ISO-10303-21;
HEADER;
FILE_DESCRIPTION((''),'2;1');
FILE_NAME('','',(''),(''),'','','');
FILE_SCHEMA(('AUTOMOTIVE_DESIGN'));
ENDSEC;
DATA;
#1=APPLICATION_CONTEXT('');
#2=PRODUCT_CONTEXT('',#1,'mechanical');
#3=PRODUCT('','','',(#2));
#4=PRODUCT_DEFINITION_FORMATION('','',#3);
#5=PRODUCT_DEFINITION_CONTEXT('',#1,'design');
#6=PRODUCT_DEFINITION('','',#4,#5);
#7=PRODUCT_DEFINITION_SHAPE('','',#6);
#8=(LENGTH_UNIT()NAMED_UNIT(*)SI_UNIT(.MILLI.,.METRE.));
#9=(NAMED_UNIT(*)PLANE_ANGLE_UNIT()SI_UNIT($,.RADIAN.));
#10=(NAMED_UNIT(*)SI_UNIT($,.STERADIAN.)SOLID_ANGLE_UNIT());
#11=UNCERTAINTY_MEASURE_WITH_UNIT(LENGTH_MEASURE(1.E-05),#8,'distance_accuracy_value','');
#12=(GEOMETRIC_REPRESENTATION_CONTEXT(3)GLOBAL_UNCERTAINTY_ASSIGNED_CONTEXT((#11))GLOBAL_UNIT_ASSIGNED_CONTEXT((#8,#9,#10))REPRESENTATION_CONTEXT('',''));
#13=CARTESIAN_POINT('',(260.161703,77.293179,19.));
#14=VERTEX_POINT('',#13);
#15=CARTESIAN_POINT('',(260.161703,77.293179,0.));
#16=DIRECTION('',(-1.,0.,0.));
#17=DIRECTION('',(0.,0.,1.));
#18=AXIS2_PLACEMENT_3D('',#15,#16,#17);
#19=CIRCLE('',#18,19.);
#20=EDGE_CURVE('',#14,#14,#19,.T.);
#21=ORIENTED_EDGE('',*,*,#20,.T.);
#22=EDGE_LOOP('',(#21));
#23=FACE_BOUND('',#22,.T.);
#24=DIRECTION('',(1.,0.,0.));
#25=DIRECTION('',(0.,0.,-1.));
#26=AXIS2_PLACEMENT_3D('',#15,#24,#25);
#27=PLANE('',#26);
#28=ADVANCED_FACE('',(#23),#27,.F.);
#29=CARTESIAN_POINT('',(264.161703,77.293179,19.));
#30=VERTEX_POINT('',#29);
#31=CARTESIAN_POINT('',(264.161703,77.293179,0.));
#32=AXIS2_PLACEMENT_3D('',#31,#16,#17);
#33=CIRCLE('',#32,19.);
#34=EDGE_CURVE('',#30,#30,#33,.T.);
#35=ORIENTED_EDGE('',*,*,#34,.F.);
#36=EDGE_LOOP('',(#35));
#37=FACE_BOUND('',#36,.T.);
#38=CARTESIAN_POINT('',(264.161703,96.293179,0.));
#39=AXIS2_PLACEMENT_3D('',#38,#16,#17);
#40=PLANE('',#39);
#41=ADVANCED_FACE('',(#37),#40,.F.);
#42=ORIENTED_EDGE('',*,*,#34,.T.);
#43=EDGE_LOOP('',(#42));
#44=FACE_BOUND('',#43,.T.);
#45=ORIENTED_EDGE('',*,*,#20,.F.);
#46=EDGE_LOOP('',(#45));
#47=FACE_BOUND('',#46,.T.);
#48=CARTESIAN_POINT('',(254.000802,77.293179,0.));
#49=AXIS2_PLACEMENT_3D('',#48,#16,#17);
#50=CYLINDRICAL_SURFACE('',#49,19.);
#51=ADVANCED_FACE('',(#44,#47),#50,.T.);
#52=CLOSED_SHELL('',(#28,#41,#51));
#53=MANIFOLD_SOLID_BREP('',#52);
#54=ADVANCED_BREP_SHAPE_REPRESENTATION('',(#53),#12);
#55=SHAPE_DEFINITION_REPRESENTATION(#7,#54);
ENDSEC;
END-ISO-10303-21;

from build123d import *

# Parameters (mm, degrees)
SKETCH_1_W = 4
SKETCH_1_H = 19


with BuildPart() as part:
    # 草图1 → 旋转1 (revolve)
    with BuildSketch(Plane.XY, mode=Mode.PRIVATE) as revolve_1_sk:
        with Locations((262.161702564, 86.793179349)):
            Rectangle(SKETCH_1_W, SKETCH_1_H)
    revolve(revolve_1_sk.sketch.rotate(Axis((254.000801993, 77.293179349, 0), (1, 0, 0)), 90), axis=Axis((254.000801993, 77.293179349, 0), (1, 0, 0)))  # turned: the seam where the file's is


solid = part.part
